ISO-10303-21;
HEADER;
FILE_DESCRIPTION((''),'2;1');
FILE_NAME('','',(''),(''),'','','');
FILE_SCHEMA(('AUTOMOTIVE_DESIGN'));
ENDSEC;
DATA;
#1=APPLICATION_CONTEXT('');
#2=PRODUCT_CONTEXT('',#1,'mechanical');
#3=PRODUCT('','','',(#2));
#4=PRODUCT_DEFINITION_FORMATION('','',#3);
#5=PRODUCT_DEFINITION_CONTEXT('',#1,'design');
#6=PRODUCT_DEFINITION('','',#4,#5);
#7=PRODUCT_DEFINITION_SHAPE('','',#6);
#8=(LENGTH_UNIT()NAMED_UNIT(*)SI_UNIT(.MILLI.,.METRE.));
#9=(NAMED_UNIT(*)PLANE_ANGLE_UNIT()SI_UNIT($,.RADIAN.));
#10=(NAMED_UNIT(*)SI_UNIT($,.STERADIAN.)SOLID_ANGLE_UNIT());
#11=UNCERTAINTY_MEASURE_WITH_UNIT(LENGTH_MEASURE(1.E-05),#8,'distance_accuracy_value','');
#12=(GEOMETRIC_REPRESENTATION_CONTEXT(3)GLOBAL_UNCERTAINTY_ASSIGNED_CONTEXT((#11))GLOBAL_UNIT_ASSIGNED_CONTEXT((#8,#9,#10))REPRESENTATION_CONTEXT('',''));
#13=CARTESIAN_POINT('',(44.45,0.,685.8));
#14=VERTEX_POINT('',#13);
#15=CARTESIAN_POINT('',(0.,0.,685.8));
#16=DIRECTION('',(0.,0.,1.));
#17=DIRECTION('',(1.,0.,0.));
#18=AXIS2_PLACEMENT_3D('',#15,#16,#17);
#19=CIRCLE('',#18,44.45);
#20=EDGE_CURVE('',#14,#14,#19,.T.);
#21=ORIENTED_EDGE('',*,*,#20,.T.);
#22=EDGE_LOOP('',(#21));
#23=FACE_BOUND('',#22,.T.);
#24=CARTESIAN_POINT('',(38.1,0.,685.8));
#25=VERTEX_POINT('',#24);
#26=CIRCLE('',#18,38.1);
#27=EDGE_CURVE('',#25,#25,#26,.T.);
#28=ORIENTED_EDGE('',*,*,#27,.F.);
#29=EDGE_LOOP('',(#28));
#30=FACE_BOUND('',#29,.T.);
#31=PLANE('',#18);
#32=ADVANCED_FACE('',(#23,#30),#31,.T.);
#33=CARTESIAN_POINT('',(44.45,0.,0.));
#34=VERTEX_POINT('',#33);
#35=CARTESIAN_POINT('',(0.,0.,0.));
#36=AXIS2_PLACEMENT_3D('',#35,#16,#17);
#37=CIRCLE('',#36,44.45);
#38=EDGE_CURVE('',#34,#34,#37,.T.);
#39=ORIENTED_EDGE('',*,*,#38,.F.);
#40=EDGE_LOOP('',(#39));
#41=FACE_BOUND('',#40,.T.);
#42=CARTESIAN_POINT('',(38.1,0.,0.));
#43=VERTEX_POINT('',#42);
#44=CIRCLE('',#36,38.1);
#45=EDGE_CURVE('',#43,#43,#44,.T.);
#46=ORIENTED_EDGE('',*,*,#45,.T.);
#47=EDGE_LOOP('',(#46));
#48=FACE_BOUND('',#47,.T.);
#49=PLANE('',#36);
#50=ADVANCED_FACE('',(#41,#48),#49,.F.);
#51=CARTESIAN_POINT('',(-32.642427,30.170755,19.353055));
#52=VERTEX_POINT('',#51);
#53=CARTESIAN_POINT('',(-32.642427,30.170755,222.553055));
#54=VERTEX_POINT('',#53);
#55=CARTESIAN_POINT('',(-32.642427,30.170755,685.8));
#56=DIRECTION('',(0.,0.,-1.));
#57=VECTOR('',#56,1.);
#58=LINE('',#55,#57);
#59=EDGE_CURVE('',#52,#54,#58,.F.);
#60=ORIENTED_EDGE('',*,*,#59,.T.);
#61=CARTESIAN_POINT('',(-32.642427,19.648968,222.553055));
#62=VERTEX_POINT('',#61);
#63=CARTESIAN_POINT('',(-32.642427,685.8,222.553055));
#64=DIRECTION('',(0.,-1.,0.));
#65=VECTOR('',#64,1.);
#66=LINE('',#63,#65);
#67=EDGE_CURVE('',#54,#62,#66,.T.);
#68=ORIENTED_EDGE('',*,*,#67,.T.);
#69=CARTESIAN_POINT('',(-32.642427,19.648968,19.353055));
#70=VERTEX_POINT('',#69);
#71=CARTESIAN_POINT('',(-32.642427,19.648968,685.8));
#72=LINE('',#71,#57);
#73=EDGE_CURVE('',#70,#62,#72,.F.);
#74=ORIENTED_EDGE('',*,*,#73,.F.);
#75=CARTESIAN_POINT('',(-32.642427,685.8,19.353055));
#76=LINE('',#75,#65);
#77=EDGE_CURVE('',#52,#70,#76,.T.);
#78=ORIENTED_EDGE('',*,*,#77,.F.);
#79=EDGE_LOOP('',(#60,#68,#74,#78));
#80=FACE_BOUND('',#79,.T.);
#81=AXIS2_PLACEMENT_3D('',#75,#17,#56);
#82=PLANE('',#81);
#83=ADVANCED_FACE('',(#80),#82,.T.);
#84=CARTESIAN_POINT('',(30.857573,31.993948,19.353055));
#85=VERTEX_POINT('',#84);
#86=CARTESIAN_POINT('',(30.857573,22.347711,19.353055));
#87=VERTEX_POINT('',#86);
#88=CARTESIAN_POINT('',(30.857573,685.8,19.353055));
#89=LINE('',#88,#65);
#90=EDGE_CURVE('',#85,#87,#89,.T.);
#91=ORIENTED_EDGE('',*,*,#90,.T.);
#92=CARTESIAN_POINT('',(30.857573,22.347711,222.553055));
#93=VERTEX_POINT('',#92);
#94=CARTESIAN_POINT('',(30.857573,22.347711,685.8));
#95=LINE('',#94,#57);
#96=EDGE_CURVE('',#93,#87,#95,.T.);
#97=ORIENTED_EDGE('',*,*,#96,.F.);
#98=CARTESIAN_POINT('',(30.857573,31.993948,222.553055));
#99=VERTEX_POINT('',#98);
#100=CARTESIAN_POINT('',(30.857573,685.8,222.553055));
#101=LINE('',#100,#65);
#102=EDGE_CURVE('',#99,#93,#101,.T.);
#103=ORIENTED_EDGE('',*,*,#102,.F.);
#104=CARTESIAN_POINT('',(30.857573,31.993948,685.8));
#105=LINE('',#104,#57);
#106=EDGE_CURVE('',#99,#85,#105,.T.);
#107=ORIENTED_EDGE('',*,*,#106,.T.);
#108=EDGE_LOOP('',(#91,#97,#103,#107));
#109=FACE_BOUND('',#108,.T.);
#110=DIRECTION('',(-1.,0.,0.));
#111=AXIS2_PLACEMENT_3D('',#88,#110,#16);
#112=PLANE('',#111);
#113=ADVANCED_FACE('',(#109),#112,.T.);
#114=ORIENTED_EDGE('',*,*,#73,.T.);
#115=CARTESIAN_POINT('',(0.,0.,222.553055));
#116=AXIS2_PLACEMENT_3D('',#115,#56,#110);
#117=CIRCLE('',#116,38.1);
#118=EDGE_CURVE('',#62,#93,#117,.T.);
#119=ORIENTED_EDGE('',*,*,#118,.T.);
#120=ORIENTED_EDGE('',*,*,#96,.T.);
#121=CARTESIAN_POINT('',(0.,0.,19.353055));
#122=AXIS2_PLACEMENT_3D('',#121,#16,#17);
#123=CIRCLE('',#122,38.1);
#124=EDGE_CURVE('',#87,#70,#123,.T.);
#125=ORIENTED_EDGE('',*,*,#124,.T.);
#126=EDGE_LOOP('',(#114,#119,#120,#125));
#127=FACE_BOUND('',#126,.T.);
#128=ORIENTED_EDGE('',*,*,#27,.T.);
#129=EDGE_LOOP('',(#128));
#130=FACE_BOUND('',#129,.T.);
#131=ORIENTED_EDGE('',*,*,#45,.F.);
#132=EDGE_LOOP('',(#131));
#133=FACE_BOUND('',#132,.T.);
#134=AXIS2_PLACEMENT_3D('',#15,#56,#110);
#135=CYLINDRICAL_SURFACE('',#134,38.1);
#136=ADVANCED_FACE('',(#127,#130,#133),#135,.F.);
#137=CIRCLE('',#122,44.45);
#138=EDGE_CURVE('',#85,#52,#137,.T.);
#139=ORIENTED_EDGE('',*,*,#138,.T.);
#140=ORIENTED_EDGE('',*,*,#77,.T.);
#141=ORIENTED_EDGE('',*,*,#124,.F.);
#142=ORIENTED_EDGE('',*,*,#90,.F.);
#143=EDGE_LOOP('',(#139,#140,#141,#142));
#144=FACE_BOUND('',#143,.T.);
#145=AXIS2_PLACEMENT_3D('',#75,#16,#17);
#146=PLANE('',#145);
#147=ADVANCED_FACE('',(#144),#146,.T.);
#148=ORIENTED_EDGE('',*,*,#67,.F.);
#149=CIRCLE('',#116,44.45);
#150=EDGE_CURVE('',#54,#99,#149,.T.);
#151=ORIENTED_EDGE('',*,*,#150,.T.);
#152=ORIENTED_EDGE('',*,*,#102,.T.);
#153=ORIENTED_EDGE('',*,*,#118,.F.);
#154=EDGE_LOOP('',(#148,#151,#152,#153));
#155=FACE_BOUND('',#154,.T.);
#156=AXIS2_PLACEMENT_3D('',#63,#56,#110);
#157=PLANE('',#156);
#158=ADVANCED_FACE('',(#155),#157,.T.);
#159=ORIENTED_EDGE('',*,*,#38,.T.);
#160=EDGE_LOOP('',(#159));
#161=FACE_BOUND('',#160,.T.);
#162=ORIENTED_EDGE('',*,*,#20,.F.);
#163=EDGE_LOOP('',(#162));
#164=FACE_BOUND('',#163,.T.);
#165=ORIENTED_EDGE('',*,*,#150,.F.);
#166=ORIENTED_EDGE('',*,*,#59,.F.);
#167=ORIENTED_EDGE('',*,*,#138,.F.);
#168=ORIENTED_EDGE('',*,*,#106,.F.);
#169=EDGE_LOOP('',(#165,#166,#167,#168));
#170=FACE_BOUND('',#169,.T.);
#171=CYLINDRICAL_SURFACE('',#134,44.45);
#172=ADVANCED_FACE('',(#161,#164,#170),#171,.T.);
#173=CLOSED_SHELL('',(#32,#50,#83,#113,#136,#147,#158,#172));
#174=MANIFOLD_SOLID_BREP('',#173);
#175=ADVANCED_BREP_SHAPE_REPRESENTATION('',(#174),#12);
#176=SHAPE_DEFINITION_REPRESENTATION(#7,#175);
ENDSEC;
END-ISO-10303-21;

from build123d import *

# Parameters (mm, degrees)
SKETCH3_R           = 44.45
SKETCH3_R_2         = 38.1
BOSS_EXTRUDE3_DEPTH = 685.8
SKETCH4_W           = 63.5
SKETCH4_H           = 203.2
CUT_EXTRUDE2_DEPTH  = 685.8


with BuildPart() as part:
    # Sketch3 → Boss-Extrude3 (new body)
    with BuildSketch(Plane.XY):
        Circle(SKETCH3_R)
        Circle(SKETCH3_R_2, mode=Mode.SUBTRACT)
    extrude(amount=BOSS_EXTRUDE3_DEPTH)

    # Sketch4 → Cut-Extrude2 (cut)
    with BuildSketch(Plane(origin=(0, 0, 0), x_dir=(1, 0, 0), z_dir=(0, 1, 0))):
        with Locations((-0.892426947, -120.953055133)):
            Rectangle(SKETCH4_W, SKETCH4_H)
    extrude(amount=CUT_EXTRUDE2_DEPTH, mode=Mode.SUBTRACT)


solid = part.part
